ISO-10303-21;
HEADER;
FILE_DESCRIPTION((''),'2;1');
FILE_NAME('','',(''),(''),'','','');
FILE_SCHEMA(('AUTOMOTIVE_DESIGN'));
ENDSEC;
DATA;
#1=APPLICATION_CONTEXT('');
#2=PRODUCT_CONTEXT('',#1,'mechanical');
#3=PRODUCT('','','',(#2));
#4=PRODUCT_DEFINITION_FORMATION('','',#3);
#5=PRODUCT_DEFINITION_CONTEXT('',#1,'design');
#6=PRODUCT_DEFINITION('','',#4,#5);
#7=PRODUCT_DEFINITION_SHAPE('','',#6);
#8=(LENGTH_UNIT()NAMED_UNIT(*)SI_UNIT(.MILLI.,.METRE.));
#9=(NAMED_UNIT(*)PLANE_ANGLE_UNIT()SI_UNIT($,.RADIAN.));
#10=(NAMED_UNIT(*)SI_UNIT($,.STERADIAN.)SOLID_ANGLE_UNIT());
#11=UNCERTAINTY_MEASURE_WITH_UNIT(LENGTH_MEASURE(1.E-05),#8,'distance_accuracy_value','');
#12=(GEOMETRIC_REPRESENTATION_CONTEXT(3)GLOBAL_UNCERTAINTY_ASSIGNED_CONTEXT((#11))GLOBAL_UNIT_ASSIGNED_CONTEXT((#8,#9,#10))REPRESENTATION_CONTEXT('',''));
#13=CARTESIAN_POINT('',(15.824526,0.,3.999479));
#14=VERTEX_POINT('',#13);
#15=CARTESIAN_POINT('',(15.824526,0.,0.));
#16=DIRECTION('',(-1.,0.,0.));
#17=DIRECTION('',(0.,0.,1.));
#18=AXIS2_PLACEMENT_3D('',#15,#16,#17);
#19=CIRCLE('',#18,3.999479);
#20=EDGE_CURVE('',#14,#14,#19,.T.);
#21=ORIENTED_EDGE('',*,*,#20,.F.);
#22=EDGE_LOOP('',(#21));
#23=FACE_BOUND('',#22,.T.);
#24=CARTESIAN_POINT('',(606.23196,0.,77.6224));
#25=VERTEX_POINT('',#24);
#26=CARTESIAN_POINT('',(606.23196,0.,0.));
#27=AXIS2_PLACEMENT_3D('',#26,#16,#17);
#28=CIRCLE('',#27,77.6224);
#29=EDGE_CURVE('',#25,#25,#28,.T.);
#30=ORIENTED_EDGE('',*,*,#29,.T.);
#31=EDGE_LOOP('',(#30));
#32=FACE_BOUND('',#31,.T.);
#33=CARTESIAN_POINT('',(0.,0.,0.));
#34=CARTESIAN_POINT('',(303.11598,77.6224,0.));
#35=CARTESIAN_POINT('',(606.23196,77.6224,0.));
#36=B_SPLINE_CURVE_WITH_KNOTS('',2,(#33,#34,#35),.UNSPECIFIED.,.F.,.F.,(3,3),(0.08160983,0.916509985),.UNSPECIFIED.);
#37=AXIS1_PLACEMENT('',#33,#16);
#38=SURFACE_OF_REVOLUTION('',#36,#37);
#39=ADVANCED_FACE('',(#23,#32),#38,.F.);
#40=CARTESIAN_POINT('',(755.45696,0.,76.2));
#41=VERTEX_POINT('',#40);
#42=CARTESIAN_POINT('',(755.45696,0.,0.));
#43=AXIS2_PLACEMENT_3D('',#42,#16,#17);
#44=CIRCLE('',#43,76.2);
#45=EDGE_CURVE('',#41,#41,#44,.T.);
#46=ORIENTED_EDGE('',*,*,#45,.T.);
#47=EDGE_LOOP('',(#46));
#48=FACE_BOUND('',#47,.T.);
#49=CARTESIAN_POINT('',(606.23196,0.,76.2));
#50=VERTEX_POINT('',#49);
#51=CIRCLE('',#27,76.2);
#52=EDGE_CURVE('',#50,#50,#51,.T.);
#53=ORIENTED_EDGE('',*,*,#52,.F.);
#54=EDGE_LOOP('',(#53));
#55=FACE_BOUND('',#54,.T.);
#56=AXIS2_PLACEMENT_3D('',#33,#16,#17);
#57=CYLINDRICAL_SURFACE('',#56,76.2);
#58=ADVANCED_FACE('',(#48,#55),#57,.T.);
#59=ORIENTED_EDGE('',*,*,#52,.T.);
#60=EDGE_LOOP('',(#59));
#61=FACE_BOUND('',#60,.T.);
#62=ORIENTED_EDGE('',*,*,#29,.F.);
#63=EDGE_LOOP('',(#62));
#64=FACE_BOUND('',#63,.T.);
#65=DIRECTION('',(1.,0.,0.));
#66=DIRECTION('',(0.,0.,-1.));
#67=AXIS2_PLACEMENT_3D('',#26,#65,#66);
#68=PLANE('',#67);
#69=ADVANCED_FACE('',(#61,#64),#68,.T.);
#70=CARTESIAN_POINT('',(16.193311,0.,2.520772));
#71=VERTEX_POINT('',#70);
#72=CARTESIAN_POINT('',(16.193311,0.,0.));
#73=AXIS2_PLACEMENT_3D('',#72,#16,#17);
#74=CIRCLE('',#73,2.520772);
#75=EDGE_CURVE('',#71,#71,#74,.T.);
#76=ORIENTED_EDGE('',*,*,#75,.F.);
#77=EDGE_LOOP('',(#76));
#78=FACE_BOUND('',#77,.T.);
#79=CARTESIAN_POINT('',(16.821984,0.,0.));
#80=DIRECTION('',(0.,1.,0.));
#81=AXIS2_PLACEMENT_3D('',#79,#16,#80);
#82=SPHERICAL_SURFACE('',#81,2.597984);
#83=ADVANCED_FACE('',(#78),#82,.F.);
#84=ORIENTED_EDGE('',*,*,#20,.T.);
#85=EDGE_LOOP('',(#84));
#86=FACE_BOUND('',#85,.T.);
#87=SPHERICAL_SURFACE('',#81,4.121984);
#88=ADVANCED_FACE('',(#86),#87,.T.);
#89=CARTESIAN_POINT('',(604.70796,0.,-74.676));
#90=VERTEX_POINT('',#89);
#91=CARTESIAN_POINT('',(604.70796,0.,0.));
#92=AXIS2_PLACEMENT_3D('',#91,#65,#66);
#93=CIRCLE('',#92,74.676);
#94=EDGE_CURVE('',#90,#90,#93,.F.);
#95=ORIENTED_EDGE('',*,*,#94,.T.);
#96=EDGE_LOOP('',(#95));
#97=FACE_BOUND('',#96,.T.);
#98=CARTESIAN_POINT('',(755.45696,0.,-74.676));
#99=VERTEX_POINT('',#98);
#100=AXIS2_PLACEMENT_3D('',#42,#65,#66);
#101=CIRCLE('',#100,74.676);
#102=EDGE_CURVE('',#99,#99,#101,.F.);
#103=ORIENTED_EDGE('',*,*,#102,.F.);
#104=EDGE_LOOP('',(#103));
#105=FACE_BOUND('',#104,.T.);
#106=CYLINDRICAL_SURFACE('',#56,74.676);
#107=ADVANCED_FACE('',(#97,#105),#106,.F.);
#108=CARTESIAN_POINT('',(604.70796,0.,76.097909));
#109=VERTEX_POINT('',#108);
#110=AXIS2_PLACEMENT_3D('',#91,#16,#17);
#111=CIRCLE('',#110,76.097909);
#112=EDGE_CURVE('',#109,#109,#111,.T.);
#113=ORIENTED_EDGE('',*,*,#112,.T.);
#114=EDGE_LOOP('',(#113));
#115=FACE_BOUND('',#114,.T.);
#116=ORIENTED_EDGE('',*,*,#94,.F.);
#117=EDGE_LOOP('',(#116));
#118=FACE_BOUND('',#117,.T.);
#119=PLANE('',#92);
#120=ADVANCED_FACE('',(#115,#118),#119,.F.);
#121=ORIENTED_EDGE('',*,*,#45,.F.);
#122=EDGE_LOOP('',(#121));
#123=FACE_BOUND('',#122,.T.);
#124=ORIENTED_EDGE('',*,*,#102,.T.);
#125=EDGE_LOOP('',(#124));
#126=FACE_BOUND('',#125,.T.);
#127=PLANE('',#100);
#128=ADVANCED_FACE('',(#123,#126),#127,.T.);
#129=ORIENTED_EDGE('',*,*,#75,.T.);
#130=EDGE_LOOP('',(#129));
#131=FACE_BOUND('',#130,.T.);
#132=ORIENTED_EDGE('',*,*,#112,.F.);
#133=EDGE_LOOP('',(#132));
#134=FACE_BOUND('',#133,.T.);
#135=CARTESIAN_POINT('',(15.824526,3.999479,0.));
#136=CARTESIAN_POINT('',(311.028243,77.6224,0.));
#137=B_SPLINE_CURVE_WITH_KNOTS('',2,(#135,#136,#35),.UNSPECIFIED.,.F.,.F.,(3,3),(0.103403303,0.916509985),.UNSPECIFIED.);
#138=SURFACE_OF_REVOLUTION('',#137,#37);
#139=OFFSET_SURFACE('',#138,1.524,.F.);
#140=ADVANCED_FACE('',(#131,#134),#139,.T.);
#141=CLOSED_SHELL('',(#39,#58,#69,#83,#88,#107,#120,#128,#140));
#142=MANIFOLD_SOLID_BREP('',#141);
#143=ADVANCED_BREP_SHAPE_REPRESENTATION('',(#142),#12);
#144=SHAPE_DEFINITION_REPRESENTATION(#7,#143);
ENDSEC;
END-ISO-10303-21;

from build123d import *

# Parameters (mm, degrees)
SHELL2_T = -1.524


with BuildPart() as part:
    # Sketch2 → Revolve2 (revolve)
    with BuildSketch(Plane.XY):
        with BuildLine():
            Line((755.456959999, 76.2), (606.231959999, 76.2))
            Line((606.231959999, 76.2), (606.231959999, 77.6224))
            add(Edge.make_bspline(
                [(15.824526301, 3.999479033), (311.02824315, 77.6224), (606.231959999, 77.6224)],
                knots=[0.103403303, 0.103403303, 0.103403303, 0.916509985, 0.916509985, 0.916509985], degree=2))
            ThreePointArc((15.824526301, 3.999479033), (13.57373394, 2.537641481), (12.7, 0))
            Line((12.7, 0), (755.456959999, 0))
            Line((755.456959999, 0), (755.456959999, 76.2))
        make_face()
    revolve(axis=Axis((0, 0, 0), (1, 0, 0)))

    # Shell2
    shell2_openings = [part.faces().sort_by_distance(p)[0] for p in [
        (755.456959999, 0, 0),
    ]]
    offset(amount=SHELL2_T, openings=shell2_openings, kind=Kind.INTERSECTION)


solid = part.part
